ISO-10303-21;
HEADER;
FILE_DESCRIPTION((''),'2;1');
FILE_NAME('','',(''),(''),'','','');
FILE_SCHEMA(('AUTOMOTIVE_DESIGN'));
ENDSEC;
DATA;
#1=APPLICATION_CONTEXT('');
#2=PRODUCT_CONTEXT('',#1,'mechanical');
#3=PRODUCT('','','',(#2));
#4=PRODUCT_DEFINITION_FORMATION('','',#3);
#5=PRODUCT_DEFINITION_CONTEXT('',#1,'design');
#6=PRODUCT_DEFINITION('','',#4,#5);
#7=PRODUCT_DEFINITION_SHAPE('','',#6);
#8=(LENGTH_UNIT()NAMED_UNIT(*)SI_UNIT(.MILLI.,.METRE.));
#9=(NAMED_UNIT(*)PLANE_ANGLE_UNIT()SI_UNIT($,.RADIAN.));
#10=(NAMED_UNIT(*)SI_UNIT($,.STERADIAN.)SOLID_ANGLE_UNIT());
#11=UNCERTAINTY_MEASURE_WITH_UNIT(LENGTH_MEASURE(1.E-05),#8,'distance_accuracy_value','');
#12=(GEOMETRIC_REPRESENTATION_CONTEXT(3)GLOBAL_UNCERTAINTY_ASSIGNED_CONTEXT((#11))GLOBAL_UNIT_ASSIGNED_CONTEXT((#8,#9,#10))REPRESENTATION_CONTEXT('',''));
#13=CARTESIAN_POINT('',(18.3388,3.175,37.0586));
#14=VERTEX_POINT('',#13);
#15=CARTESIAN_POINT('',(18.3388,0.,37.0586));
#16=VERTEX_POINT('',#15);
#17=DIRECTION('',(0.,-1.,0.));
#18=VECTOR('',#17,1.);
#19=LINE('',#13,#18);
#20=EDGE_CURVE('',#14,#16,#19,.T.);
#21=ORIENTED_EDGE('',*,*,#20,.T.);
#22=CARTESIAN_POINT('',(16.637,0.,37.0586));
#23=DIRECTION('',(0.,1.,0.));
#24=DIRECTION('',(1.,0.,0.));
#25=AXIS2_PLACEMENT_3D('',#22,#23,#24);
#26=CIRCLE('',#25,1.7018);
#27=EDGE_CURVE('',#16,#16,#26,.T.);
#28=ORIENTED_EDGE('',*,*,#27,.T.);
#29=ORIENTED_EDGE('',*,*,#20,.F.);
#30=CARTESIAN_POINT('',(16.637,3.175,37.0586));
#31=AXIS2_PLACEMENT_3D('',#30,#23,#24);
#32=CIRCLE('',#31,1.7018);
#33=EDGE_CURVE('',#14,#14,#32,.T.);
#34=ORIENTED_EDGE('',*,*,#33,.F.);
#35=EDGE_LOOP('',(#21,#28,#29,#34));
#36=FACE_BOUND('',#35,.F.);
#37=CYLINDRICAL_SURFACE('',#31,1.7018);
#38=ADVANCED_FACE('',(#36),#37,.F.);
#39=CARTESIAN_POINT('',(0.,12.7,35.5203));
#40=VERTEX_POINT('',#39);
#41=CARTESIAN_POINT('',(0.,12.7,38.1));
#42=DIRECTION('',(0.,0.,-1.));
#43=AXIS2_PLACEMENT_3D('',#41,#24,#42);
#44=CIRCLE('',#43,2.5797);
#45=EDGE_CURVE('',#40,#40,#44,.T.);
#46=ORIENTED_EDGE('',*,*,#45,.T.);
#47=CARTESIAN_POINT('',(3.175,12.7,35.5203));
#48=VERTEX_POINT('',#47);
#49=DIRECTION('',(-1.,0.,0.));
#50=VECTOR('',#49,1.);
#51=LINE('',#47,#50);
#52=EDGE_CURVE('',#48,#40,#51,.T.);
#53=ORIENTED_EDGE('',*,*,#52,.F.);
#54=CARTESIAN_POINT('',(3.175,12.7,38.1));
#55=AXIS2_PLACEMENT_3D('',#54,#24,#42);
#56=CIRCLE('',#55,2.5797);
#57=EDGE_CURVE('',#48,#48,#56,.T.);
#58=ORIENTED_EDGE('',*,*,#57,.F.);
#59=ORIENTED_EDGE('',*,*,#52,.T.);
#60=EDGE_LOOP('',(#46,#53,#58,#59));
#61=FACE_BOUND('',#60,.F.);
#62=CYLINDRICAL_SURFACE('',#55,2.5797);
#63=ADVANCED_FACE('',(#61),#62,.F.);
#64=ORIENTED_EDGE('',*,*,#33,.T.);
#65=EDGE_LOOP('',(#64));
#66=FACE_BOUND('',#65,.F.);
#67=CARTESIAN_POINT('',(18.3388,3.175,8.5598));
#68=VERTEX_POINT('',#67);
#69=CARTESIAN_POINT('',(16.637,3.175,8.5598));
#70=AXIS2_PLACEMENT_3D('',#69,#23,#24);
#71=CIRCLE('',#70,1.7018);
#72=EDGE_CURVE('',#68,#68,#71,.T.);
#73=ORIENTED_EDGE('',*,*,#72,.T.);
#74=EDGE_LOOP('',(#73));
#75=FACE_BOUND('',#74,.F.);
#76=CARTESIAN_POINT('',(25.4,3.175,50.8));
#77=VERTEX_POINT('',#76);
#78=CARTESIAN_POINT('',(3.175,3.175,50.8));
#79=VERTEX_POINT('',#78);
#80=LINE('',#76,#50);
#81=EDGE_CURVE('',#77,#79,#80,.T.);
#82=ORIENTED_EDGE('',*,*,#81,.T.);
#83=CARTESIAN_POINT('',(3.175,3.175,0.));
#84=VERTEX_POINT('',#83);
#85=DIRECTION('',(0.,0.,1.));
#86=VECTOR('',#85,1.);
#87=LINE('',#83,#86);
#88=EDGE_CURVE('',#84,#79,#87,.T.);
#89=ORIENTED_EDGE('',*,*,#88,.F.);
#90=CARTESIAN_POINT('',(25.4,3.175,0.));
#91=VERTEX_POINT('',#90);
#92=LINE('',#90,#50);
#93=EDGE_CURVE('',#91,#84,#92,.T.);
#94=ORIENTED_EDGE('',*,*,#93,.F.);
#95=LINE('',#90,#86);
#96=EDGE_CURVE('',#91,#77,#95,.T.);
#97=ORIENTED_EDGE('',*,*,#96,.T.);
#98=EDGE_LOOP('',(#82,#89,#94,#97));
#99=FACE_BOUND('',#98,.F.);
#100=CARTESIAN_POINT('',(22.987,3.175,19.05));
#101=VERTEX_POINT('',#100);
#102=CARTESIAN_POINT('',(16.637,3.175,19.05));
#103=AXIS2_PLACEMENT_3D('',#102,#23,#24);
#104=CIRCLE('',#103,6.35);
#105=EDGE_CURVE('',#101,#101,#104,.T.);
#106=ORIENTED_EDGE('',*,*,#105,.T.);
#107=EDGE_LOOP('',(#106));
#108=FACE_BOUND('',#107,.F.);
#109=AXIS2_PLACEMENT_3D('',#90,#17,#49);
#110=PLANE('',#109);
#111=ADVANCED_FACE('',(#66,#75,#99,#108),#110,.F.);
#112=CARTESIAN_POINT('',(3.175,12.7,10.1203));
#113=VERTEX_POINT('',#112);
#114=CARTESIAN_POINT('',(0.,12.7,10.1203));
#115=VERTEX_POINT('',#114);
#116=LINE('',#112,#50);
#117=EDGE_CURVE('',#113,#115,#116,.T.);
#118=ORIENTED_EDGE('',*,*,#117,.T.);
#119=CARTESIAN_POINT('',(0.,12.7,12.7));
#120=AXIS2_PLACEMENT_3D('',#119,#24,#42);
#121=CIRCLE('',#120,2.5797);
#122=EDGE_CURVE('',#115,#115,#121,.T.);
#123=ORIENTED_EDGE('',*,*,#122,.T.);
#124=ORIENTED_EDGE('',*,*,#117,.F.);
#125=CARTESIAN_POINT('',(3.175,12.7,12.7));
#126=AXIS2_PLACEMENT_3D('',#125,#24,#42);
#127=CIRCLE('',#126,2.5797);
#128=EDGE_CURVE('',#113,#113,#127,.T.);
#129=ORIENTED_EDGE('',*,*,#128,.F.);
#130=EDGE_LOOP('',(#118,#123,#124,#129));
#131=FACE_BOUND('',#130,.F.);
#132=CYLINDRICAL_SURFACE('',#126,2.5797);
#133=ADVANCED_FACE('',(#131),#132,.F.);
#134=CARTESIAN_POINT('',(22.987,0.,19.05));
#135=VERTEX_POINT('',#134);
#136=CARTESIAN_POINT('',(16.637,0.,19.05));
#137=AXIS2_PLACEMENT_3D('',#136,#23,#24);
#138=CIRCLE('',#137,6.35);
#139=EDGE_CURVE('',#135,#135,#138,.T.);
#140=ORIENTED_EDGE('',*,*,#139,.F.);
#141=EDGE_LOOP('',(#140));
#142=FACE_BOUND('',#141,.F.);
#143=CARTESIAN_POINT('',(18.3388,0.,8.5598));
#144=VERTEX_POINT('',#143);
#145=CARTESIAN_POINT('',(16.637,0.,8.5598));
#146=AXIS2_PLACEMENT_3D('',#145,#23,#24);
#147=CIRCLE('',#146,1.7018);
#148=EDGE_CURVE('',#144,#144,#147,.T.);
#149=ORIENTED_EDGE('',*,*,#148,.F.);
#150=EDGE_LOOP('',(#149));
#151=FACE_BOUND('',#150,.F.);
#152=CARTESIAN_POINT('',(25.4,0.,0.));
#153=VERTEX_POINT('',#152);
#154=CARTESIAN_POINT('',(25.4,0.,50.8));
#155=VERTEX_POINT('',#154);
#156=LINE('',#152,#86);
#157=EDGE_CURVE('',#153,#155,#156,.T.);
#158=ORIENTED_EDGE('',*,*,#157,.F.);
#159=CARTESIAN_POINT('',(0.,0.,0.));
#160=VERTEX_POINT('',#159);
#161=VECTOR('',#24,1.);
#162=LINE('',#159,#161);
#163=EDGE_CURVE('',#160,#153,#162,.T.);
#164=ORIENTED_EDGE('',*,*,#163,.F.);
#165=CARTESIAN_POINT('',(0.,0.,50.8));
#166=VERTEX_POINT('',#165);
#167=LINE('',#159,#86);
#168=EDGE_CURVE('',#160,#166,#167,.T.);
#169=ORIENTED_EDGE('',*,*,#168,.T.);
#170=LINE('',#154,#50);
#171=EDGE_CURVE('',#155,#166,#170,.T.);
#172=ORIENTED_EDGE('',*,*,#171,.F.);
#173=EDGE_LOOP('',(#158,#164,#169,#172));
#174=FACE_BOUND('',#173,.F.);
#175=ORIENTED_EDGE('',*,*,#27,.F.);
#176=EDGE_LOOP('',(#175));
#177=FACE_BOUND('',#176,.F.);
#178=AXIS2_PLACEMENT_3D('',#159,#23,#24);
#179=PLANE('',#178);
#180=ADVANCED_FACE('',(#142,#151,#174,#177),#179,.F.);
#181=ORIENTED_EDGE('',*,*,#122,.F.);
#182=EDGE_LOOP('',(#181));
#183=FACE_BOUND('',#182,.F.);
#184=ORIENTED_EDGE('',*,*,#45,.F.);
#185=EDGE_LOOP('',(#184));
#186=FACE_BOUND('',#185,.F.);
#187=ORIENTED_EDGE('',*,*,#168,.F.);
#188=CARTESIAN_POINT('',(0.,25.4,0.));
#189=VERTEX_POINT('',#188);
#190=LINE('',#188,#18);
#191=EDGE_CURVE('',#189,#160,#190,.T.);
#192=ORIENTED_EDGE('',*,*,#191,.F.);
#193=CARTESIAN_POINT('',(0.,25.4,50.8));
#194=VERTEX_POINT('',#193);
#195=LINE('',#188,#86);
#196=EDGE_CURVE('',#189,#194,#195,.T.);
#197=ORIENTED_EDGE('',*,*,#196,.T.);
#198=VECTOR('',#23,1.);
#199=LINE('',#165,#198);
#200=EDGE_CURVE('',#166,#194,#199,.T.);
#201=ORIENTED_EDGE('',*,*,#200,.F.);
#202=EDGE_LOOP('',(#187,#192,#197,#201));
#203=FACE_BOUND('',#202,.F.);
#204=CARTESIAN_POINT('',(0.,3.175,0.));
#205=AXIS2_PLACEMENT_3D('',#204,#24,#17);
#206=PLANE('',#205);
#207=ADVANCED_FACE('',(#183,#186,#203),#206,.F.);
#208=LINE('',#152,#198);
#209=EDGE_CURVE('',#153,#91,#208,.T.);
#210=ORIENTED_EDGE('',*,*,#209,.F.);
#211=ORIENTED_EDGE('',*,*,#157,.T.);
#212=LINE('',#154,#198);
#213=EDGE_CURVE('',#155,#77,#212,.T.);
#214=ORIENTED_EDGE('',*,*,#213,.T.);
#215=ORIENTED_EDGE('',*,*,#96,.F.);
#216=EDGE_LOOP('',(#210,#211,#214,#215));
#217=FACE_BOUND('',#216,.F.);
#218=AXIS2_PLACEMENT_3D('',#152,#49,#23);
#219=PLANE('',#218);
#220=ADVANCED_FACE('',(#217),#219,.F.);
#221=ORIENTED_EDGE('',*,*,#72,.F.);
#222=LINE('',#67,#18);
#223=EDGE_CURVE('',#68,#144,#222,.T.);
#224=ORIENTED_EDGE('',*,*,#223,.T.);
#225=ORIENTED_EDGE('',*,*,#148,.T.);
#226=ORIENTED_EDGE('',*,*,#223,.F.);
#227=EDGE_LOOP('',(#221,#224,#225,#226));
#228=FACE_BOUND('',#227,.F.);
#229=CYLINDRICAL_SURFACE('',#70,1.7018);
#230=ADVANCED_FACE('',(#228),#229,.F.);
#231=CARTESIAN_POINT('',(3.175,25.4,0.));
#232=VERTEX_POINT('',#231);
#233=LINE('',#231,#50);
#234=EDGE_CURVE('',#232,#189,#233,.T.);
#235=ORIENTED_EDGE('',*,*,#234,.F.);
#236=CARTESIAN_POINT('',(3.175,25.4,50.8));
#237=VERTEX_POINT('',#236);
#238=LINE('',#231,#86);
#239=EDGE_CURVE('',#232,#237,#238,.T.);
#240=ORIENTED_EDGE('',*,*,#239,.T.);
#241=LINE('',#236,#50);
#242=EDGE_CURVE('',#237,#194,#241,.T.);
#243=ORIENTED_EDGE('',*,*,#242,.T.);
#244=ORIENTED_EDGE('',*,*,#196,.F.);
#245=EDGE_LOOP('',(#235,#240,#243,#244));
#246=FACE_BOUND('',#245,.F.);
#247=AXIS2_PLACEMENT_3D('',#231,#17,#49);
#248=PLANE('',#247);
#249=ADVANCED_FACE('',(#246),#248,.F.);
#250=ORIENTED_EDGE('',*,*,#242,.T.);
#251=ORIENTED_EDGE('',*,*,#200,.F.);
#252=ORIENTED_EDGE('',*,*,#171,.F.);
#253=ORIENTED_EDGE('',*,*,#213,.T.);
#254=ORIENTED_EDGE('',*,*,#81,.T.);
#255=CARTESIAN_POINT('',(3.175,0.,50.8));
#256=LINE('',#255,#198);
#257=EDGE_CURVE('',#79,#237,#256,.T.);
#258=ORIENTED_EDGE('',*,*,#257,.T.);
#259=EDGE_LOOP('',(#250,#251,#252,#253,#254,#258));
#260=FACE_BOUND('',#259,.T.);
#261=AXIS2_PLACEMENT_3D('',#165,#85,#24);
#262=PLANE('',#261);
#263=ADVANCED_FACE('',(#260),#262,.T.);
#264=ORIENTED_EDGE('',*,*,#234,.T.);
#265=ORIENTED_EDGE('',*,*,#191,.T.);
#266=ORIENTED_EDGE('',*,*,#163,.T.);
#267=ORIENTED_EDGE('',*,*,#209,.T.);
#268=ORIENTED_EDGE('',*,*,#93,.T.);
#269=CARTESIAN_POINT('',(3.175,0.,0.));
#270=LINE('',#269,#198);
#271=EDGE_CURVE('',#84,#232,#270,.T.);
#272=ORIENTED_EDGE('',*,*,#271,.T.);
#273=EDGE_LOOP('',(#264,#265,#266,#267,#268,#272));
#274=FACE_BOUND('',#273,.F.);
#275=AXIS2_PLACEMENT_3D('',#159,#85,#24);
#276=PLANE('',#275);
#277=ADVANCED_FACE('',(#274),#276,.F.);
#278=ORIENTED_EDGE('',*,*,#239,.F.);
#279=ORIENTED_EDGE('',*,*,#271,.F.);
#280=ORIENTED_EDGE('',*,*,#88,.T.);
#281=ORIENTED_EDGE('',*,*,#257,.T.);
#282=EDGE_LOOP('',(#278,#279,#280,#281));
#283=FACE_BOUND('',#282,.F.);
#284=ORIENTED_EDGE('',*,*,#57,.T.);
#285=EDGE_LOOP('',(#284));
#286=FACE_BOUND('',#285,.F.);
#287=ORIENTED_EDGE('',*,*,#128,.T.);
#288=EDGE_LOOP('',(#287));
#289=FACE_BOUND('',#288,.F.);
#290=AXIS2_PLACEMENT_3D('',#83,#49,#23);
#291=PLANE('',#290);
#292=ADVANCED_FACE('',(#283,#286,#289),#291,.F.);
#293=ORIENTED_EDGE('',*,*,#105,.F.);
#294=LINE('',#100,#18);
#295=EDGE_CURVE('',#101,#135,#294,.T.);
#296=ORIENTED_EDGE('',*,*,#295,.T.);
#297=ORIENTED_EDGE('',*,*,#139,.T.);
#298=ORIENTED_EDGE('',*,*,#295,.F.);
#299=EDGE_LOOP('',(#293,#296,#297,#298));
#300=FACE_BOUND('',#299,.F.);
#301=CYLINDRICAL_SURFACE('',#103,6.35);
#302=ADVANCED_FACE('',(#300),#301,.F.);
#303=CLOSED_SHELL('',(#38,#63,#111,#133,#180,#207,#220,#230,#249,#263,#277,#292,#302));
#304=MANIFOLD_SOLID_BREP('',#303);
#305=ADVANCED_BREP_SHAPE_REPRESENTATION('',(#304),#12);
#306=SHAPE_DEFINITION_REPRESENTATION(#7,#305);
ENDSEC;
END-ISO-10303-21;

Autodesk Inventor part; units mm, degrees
ref_plane "YZ Plane" through (0, 0, 0) normal (1, 0, 0) x (0, 1, 0)
ref_plane "XZ Plane" through (0, 0, 0) normal (0, 1, 0) x (-1, 0, 0)
ref_plane "XY Plane" through (0, 0, 0) normal (0, 0, 1) x (1, 0, 0)
sketch "Sketch1" plane through (0, 0, 0) normal (0, 0, 1) x (1, 0, 0)
  line L0 (0, 0) -> (3.175, 0)
  line L1 (3.175, 0) -> (3.175, 25.4)
  line L2 (3.175, 25.4) -> (0, 25.4)
  line L3 (0, 25.4) -> (0, 0)
  line L4 (0, 0) -> (25.4, 0)
  line L5 (25.4, 0) -> (25.4, 3.175)
  line L6 (25.4, 3.175) -> (0, 3.175)
  line L7 (0, 3.175) -> (0, 0)
  dimension "d0" = 3.175
  dimension "d1" = 25.4
  dimension "d2" = 25.4
  dimension "d3" = 3.175
extrude "Extrusion1" add sketch "Sketch1" along normal blind 50.8
sketch "Sketch2" plane through (3.175, 3.175, 0) normal (0, 1, 0) x (1, 0, 0)
  line L0 (-3.175, -50.8) -> (22.225, -50.8) construction
  line L1 (-3.175, -50.8) -> (13.462, -50.8) construction
  line L2 (13.462, -50.8) -> (32.512, -50.8) construction
  circle A0 centre (13.462, -19.05) radius 6.35
  line L3 (13.462, -19.05) -> (13.462, 0) construction
  line L4 (22.225, 0) -> (0, 0) construction
  point P0 (-3.175, 0)
  dimension "d6" = 16.637
  dimension "d9" = 12.7
  dimension "d12" = 19.05
extrude "Extrusion2" cut sketch "Sketch2" against normal blind 50.8
sketch "Sketch3" plane through (3.175, 3.175, 0) normal (0, 1, 0) x (1, 0, 0)
  circle A0 centre (13.462, -19.05) radius 6.35 construction
  line L0 (13.462, -19.05) -> (13.462, -8.5598) construction
  line L1 (13.462, -8.5598) -> (13.462, -37.0586) construction
  circle A1 centre (13.462, -8.5598) radius 1.7018
  circle A2 centre (13.462, -37.0586) radius 1.7018
  point P0 (-3.175, 0)
  dimension "d13" = 10.4902
  dimension "d14" = 28.4988
  dimension "d15" = 3.4036
extrude "Extrusion3" cut sketch "Sketch3" against normal blind 25.4
sketch "Sketch4" plane through (3.175, 3.175, 0) normal (1, 0, 0) x (0, 0, -1)
  line L0 (0, 22.225) -> (-50.8, 22.225) construction
  line L1 (0, 22.225) -> (0, 9.525) construction
  line L2 (0, 0) -> (0, 22.225) construction
  line L3 (0, 9.525) -> (-12.7, 9.525) construction
  line L4 (-12.7, 9.525) -> (-38.1, 9.525) construction
  circle A0 centre (-12.7, 9.525) radius 2.5797
  circle A1 centre (-38.1, 9.525) radius 2.5797
  point P0 (0, -3.175)
  dimension "d18" = 12.7
  dimension "d19" = 12.7
  dimension "d20" = 25.4
  dimension "d21" = 5.1594
extrude "Extrusion4" cut sketch "Sketch4" against normal blind 25.4
properties part number "2in L-Bracket"
